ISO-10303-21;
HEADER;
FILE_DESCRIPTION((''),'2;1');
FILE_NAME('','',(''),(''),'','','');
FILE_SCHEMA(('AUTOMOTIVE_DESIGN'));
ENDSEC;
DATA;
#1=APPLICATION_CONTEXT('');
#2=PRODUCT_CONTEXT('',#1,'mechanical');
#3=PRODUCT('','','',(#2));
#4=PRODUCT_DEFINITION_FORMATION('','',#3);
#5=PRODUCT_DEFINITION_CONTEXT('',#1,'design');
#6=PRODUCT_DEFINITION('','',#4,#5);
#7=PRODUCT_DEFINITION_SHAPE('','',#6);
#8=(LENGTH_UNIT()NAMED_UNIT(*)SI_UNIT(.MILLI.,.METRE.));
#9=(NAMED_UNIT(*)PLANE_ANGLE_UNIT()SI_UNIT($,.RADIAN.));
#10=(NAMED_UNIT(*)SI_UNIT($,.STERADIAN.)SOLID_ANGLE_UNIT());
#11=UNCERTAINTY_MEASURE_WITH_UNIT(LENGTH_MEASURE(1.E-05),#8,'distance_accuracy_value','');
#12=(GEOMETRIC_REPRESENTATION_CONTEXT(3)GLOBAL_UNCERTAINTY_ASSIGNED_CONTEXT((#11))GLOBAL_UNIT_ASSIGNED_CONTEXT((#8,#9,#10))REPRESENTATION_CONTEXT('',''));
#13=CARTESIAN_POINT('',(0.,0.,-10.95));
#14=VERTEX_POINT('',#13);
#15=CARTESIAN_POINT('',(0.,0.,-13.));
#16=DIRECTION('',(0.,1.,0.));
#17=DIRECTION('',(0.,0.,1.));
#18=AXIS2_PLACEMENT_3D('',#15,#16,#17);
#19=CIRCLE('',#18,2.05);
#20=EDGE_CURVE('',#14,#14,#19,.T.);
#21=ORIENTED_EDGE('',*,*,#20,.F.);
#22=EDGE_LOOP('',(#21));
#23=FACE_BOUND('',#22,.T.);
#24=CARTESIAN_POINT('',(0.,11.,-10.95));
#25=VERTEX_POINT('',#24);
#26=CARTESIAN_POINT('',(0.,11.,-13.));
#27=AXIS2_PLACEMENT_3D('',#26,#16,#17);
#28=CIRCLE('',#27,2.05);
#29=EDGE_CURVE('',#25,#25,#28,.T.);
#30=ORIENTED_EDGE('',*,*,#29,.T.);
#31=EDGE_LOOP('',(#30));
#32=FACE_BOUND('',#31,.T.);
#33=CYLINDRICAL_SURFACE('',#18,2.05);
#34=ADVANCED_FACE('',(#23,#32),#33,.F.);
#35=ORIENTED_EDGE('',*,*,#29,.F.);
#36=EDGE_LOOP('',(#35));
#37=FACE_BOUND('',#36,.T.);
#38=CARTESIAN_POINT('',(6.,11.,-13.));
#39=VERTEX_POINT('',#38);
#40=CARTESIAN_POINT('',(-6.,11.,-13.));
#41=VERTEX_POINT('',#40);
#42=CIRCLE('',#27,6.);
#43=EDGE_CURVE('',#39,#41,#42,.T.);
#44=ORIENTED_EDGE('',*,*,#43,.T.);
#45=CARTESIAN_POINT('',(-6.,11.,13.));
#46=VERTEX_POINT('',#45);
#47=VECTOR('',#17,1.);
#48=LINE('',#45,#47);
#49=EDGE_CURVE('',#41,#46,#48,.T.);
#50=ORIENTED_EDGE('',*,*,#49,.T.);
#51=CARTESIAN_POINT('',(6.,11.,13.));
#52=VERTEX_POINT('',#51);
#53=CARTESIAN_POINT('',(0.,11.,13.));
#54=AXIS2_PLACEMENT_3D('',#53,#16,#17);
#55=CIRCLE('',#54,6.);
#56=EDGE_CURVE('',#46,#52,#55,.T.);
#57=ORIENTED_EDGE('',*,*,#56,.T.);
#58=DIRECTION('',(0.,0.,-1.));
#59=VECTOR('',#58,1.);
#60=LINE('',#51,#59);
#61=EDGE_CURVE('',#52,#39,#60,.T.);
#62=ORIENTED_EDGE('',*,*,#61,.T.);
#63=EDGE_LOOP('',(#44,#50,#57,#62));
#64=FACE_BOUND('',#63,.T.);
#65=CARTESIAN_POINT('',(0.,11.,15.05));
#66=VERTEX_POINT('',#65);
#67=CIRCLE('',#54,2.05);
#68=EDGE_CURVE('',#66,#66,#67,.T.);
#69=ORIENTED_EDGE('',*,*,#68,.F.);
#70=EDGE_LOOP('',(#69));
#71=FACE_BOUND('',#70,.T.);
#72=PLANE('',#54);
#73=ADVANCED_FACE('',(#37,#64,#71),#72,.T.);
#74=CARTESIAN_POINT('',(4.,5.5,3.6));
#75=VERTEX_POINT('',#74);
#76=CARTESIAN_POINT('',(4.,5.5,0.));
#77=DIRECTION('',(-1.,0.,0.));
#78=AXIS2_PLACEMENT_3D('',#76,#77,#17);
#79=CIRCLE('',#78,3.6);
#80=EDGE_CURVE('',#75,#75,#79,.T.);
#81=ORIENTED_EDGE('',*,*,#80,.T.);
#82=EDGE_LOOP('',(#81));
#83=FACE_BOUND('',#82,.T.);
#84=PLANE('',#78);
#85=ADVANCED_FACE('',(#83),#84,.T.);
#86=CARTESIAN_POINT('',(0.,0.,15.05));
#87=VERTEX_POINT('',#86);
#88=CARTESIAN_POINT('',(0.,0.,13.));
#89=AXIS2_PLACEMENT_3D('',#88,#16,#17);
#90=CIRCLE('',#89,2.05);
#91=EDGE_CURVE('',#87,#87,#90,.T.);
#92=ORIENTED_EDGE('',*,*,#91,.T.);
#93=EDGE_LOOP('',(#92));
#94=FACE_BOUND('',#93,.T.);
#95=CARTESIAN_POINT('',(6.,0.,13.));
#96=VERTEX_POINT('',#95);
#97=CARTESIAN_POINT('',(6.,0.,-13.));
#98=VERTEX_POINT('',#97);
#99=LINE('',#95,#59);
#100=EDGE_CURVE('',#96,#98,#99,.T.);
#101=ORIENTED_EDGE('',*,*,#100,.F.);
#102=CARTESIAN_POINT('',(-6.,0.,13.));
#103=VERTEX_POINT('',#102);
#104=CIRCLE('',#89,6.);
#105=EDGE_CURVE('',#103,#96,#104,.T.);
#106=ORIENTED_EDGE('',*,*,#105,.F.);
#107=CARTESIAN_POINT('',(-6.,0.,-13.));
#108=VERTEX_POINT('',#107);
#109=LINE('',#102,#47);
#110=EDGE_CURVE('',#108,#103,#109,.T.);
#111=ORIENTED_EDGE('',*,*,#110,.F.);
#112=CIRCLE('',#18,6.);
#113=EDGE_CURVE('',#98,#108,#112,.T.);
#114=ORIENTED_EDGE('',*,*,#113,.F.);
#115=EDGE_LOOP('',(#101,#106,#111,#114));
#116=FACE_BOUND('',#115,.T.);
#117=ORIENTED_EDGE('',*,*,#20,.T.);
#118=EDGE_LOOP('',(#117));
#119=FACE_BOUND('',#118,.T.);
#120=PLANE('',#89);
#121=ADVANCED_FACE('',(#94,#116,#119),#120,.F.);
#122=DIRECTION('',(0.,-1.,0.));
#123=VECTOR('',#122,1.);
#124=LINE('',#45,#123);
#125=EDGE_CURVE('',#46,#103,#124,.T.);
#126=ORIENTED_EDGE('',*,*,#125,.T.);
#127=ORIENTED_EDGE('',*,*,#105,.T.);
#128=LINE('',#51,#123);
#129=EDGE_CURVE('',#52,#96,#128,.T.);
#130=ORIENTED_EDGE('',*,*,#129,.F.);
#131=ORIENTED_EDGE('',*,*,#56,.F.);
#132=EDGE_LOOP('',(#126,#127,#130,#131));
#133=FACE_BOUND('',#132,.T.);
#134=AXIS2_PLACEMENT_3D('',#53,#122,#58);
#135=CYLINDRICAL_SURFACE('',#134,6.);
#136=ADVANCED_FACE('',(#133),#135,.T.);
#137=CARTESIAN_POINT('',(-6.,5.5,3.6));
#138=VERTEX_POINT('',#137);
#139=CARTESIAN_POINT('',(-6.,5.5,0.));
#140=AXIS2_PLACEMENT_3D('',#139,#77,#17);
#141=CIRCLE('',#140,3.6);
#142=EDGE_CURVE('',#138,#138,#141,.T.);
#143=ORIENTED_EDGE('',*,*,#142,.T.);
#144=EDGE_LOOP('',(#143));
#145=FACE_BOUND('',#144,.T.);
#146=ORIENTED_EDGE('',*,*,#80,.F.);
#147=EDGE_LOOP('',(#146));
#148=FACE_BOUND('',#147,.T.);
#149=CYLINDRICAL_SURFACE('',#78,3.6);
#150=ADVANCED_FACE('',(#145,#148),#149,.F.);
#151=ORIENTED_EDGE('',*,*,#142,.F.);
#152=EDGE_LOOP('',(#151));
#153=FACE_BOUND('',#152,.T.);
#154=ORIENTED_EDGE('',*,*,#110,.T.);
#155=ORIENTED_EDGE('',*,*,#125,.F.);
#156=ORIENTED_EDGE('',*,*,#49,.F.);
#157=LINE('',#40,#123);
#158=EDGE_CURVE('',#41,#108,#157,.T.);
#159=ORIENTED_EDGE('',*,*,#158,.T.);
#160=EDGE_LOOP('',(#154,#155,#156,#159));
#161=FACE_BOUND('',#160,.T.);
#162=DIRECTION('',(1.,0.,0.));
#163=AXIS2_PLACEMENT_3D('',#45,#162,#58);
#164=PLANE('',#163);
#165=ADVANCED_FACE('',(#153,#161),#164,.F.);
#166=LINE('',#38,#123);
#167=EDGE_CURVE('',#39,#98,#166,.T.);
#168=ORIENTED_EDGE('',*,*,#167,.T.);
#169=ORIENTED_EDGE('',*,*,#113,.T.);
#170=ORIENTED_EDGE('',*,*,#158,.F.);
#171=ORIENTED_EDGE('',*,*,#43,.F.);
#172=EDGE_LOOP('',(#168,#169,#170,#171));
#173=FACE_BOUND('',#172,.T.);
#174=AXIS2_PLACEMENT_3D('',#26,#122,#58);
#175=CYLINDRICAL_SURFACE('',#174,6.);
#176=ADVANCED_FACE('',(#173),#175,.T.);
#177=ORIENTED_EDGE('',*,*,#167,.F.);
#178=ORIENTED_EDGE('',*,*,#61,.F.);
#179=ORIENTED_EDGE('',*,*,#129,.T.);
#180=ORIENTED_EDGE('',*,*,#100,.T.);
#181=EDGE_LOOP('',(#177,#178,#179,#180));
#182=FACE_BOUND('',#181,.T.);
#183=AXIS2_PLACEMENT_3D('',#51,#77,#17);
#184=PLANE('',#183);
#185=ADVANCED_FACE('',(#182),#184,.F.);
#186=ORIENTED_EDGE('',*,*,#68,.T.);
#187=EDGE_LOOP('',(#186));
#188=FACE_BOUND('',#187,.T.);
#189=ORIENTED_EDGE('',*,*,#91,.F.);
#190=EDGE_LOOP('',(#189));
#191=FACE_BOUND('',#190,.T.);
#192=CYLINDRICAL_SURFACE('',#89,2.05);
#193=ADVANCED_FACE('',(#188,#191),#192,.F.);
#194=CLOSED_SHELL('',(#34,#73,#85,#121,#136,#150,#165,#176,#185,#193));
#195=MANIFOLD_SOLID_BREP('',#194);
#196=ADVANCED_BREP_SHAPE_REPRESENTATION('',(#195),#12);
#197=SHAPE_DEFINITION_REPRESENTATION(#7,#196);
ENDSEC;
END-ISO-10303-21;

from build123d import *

# Parameters (mm, degrees)
EXTRUDE_1_DEPTH     = 11
SKETCH_2_R          = 2.05
CUT_EXTRUDE_1_DEPTH = 12
SKETCH_3_R          = 3.6
CUT_EXTRUDE_2_DEPTH = 10


with BuildPart() as part:
    # 草图1 → 凸台-拉伸1 (new body)
    with BuildSketch(Plane(origin=(0, 0, 0), x_dir=(1, 0, 0), z_dir=(0, 1, 0))):
        with BuildLine():
            Line((-6, -13), (-6, 13))
            ThreePointArc((-6, 13), (0, 19), (6, 13))
            Line((6, 13), (6, -13))
            ThreePointArc((6, -13), (0, -19), (-6, -13))
        make_face()
    extrude(amount=EXTRUDE_1_DEPTH)

    # 草图2 → 切除-拉伸1 (cut, through all)
    with BuildSketch(Plane(origin=(0, 11, 0), x_dir=(1, 0, 0), z_dir=(0, 1, 0))):
        with Locations((0, 13)):
            Circle(SKETCH_2_R)
        with Locations((0, -13)):
            Circle(SKETCH_2_R)
    extrude(amount=-CUT_EXTRUDE_1_DEPTH, mode=Mode.SUBTRACT)

    # 草图3 → 切除-拉伸2 (cut)
    with BuildSketch(Plane.ZY.offset(6)):
        with Locations((0, 5.5)):
            Circle(SKETCH_3_R)
    extrude(amount=-CUT_EXTRUDE_2_DEPTH, mode=Mode.SUBTRACT)


solid = part.part
